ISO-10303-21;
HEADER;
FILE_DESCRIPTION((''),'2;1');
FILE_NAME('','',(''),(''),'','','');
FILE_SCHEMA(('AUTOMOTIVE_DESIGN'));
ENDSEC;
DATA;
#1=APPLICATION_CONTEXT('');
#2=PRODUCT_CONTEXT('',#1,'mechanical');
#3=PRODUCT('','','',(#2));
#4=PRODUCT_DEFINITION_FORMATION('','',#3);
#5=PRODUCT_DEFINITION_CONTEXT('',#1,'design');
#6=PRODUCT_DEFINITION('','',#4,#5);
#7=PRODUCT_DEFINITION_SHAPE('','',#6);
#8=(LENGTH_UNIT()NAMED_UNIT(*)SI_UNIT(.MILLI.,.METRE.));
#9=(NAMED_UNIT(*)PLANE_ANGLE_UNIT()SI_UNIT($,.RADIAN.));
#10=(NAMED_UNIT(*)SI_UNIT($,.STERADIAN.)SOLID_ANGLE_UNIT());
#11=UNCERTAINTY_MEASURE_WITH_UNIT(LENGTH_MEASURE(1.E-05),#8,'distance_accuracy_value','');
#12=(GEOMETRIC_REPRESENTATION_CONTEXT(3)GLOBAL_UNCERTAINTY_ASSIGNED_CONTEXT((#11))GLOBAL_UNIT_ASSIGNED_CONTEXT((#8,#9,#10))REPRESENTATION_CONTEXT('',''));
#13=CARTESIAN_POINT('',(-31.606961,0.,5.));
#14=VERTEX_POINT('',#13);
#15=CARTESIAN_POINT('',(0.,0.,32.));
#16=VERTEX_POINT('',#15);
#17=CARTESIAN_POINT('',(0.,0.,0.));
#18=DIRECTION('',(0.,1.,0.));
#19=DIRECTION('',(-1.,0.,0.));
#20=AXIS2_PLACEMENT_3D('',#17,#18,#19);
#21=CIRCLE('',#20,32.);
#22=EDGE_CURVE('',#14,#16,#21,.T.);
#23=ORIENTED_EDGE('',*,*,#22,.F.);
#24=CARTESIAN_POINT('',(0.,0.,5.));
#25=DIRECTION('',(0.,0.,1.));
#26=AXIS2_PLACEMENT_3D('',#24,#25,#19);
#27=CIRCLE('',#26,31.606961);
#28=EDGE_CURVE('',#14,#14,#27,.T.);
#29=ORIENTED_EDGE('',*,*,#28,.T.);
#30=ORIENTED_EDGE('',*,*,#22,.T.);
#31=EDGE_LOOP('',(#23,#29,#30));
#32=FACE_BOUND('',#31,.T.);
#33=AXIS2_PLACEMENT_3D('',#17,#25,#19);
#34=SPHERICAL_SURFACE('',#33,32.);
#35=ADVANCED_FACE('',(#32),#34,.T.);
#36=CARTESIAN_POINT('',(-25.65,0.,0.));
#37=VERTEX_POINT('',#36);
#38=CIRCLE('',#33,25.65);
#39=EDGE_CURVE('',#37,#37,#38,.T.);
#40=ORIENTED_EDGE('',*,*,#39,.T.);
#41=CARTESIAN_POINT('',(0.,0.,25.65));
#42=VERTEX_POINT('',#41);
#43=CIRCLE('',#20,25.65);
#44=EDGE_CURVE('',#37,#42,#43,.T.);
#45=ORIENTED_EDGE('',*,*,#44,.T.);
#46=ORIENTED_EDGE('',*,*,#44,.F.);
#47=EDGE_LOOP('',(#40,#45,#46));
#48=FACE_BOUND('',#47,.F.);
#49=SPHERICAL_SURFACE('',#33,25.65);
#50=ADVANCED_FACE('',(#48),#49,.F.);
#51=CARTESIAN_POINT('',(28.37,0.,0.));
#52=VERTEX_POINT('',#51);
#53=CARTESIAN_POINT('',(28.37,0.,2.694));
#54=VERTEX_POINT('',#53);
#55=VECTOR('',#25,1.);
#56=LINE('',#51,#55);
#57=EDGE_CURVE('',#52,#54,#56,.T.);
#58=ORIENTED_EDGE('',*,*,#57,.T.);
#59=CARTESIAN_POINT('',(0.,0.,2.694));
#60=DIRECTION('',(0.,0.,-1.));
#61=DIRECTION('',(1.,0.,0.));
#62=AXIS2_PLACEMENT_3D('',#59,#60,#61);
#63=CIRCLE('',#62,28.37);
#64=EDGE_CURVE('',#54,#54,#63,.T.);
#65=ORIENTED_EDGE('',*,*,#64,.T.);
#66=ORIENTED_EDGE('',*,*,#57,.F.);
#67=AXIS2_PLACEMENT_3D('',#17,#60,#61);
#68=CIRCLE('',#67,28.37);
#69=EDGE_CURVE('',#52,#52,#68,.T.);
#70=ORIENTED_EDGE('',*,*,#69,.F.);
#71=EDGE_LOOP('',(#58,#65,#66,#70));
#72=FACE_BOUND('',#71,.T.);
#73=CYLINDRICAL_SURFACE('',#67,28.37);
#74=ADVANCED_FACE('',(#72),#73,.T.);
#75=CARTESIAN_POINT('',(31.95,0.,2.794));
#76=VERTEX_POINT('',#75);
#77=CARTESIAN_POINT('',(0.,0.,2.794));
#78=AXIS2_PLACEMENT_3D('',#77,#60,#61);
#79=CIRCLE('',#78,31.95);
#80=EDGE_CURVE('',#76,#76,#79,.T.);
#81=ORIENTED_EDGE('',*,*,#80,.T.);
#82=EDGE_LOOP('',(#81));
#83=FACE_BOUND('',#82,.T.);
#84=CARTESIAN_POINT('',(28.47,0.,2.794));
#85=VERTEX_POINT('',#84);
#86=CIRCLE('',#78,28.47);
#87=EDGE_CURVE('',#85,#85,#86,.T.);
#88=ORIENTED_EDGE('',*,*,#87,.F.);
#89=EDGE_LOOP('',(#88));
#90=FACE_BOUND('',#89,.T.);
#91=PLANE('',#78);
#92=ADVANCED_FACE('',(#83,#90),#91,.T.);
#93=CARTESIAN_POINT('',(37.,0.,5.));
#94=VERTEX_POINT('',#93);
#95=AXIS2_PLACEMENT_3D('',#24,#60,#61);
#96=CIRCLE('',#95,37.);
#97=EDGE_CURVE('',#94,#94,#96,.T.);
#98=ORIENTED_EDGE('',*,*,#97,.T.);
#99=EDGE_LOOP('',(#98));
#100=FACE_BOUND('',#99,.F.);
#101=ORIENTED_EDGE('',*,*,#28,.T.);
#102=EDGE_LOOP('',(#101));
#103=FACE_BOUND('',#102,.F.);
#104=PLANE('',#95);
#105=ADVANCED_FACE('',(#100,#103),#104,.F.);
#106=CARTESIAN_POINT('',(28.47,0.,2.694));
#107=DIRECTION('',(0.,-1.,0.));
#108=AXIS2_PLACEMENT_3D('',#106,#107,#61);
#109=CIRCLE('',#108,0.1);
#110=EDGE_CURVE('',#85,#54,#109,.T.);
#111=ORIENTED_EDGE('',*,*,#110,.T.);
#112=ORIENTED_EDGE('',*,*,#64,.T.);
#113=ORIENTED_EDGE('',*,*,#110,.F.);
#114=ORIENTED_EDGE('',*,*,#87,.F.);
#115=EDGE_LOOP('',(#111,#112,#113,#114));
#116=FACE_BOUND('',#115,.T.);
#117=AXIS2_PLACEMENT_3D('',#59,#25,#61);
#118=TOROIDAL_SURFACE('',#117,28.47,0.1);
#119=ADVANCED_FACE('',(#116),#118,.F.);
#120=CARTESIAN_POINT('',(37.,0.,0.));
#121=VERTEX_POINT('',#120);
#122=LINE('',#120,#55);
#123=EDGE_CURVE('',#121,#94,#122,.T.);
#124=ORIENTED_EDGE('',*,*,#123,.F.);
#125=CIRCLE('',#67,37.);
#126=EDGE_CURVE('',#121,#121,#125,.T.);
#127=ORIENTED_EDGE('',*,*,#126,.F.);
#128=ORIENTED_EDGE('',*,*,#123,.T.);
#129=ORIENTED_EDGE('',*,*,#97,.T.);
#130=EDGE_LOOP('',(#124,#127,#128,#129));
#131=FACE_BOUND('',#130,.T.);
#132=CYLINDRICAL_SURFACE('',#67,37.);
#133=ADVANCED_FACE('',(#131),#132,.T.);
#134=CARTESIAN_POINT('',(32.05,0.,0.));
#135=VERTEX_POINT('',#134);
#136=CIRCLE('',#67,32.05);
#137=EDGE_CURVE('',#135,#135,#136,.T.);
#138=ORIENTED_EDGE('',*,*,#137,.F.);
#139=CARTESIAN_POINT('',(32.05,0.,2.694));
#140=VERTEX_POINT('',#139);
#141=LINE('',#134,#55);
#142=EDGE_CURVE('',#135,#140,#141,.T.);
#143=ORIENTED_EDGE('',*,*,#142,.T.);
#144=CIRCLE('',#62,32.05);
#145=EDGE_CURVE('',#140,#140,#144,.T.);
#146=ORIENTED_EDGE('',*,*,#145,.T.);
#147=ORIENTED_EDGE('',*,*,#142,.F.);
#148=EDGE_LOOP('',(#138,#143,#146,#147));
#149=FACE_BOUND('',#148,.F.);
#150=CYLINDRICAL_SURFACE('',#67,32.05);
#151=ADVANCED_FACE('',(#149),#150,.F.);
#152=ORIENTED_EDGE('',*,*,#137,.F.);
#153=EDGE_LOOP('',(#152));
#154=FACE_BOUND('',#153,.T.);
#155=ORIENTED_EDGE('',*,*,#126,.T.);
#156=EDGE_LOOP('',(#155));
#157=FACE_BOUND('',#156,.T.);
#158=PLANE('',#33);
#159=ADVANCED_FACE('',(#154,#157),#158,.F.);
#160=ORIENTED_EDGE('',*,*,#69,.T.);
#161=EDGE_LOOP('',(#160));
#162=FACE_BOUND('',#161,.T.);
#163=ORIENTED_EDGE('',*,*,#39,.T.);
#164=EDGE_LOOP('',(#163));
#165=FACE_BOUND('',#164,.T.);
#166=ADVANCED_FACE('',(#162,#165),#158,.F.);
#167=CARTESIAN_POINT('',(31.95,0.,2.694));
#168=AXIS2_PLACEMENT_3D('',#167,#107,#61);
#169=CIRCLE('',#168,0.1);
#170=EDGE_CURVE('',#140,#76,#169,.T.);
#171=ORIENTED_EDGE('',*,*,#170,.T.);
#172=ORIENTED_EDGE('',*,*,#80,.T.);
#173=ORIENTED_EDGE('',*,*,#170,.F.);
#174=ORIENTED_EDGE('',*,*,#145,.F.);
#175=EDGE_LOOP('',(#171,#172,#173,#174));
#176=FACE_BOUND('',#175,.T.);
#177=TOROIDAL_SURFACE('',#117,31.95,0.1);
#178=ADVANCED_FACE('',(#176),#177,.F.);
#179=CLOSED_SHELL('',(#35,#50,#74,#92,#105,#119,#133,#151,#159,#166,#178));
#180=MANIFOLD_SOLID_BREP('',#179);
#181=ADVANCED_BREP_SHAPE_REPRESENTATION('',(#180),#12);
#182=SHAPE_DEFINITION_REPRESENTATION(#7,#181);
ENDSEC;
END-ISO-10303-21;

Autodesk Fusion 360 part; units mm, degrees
sketch "Sketch1" plane through (0, 0, 0) normal (0, 1, 0) x (1, 0, 0)
  line L0 (-36, 0) -> (40, 0) construction
  arc A0 (-32, 0) -> (0, -32) centre (0, 0) ccw
  arc A1 (-25.65, 0) -> (0, -25.65) centre (0, 0) ccw
  line L1 (0, -32) -> (0, -25.65)
  line L2 (-25.65, 0) -> (-32, 0)
  dimension "d3" = 25.65
  dimension "d4" = 32
revolve "Revolve1" add sketch "Sketch1" angle 360 about axis through (0, 0, 1.75) along (0, 0, 1)
sketch "Sketch3" plane through (0, 0, 0) normal (0, 0, -1) x (1, 0, 0)
  circle A0 centre (0, 0) radius 32
  circle A1 centre (0, 0) radius 37
  circle A2 centre (0, 0) radius 25.65
  circle A3 centre (0, 0) radius 25.65
  dimension "d10" = 74
extrude "Extrude2" add sketch "Sketch3" against normal blind 5 contours A0 | A1
sketch "Sketch2" plane through (0, 0, 0) normal (0, 0, -1) x (1, 0, 0)
  circle A0 centre (0, 0) radius 28.37
  circle A1 centre (0, 0) radius 32.05
  circle A2 centre (0, 0) radius 37
  circle A3 centre (0, 0) radius 25.65
  dimension "d6" = 56.74
  dimension "d7" = 64.1
extrude "Extrude1" cut sketch "Sketch2" against normal blind 2.794 contours A1
fillet "Fillet1" radius 0.1 2 edges at (-26.4501, 10.259, 2.794) (-29.8811, -11.5898, 2.794)
